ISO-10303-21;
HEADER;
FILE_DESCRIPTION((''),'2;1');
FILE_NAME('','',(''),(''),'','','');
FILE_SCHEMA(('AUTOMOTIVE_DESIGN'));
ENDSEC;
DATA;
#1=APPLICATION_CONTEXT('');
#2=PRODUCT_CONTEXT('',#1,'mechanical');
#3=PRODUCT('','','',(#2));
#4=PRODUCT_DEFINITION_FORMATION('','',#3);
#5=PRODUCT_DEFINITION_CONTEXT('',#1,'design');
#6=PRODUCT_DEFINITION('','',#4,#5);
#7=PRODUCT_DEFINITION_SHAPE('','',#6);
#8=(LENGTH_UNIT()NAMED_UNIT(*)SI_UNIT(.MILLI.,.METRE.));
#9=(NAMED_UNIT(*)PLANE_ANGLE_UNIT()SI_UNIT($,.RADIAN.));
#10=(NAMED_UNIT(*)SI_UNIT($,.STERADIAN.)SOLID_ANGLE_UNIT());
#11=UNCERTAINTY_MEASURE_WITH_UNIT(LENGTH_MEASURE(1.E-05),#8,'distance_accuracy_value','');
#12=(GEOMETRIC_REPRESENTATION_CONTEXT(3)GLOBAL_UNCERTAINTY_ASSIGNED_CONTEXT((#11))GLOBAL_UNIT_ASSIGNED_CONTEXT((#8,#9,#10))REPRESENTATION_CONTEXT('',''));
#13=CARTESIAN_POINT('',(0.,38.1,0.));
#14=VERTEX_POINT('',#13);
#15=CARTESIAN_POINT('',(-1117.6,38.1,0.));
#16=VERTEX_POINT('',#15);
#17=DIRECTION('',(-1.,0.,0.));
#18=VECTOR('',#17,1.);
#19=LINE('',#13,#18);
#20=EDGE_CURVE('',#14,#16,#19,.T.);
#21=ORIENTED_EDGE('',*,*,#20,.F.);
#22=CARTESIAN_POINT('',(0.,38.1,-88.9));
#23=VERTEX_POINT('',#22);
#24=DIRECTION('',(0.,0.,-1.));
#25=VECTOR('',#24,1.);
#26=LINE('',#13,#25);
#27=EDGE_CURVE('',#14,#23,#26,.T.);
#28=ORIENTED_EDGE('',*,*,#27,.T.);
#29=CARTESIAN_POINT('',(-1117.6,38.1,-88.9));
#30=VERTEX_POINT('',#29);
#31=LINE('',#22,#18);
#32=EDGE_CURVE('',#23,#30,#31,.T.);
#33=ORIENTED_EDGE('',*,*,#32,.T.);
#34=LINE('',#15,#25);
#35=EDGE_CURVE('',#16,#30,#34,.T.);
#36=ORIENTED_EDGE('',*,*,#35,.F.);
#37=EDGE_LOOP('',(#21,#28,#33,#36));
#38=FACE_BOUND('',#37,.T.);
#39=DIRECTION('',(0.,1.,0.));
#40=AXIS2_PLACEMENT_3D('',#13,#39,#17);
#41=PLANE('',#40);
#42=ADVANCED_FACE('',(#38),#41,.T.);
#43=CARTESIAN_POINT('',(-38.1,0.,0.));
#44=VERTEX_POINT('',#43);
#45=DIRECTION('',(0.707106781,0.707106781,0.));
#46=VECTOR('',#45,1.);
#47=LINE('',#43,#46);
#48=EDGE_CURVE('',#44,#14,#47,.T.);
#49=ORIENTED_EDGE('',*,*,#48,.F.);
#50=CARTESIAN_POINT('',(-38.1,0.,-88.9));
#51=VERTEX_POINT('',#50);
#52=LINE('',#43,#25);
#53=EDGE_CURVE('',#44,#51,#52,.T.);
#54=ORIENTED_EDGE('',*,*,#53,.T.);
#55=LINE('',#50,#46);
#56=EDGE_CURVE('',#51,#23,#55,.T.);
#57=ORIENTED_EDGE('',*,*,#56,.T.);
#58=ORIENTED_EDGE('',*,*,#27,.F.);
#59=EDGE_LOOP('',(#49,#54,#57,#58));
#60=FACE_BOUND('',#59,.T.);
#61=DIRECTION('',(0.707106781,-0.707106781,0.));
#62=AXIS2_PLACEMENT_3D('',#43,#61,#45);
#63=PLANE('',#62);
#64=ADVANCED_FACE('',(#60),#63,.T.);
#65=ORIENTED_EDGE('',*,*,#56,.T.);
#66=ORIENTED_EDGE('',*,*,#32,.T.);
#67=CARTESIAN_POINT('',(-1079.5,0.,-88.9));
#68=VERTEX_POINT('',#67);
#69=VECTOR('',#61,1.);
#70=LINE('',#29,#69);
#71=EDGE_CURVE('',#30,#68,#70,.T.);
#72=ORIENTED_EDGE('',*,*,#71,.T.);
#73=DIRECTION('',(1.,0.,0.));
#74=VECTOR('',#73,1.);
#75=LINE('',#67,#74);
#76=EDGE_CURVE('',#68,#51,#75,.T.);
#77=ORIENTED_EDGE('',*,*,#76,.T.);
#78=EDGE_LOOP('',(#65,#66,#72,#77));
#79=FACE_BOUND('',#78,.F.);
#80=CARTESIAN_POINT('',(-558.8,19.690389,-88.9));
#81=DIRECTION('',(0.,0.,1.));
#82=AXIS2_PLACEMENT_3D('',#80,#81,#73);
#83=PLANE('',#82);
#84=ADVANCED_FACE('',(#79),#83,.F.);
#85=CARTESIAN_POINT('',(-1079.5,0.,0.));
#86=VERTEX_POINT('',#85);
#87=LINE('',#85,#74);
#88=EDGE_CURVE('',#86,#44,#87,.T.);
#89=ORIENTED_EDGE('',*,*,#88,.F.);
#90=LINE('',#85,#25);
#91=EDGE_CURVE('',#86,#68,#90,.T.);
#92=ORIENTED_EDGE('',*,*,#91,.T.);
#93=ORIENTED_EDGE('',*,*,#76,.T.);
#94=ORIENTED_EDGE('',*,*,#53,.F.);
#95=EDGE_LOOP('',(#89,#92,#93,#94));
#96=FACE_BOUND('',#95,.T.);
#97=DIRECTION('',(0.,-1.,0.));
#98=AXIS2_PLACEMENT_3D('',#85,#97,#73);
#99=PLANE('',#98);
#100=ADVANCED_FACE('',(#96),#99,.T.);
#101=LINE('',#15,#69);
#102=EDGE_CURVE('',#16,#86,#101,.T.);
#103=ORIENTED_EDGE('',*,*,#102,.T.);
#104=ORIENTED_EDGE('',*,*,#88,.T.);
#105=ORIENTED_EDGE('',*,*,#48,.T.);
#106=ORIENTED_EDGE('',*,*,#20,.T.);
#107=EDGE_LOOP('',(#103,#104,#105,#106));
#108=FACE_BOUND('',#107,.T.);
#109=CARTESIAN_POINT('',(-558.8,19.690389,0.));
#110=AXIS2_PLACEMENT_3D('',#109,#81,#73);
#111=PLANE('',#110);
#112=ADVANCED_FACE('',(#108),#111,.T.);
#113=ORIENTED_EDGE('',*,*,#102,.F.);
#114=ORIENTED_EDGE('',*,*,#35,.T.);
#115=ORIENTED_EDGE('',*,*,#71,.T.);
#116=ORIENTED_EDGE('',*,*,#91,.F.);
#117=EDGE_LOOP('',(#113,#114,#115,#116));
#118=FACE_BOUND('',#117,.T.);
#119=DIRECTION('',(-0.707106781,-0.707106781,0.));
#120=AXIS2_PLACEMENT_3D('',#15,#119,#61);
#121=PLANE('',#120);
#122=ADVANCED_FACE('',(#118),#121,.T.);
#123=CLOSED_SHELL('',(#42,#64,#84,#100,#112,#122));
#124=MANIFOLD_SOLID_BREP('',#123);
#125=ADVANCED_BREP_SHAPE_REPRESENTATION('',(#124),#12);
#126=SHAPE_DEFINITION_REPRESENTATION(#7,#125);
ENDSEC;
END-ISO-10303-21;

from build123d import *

# Parameters (mm, degrees)
F1_DEPTH = 88.9


with BuildPart() as f1:
    # F0 (on Top) → F1 (new body)
    with BuildSketch(Plane.XY):
        Polygon((-38.1, 0), (0, 38.1), (-1117.6, 38.1), (-1079.5, 0), align=None)
    extrude(amount=-F1_DEPTH)


solid = f1.part
